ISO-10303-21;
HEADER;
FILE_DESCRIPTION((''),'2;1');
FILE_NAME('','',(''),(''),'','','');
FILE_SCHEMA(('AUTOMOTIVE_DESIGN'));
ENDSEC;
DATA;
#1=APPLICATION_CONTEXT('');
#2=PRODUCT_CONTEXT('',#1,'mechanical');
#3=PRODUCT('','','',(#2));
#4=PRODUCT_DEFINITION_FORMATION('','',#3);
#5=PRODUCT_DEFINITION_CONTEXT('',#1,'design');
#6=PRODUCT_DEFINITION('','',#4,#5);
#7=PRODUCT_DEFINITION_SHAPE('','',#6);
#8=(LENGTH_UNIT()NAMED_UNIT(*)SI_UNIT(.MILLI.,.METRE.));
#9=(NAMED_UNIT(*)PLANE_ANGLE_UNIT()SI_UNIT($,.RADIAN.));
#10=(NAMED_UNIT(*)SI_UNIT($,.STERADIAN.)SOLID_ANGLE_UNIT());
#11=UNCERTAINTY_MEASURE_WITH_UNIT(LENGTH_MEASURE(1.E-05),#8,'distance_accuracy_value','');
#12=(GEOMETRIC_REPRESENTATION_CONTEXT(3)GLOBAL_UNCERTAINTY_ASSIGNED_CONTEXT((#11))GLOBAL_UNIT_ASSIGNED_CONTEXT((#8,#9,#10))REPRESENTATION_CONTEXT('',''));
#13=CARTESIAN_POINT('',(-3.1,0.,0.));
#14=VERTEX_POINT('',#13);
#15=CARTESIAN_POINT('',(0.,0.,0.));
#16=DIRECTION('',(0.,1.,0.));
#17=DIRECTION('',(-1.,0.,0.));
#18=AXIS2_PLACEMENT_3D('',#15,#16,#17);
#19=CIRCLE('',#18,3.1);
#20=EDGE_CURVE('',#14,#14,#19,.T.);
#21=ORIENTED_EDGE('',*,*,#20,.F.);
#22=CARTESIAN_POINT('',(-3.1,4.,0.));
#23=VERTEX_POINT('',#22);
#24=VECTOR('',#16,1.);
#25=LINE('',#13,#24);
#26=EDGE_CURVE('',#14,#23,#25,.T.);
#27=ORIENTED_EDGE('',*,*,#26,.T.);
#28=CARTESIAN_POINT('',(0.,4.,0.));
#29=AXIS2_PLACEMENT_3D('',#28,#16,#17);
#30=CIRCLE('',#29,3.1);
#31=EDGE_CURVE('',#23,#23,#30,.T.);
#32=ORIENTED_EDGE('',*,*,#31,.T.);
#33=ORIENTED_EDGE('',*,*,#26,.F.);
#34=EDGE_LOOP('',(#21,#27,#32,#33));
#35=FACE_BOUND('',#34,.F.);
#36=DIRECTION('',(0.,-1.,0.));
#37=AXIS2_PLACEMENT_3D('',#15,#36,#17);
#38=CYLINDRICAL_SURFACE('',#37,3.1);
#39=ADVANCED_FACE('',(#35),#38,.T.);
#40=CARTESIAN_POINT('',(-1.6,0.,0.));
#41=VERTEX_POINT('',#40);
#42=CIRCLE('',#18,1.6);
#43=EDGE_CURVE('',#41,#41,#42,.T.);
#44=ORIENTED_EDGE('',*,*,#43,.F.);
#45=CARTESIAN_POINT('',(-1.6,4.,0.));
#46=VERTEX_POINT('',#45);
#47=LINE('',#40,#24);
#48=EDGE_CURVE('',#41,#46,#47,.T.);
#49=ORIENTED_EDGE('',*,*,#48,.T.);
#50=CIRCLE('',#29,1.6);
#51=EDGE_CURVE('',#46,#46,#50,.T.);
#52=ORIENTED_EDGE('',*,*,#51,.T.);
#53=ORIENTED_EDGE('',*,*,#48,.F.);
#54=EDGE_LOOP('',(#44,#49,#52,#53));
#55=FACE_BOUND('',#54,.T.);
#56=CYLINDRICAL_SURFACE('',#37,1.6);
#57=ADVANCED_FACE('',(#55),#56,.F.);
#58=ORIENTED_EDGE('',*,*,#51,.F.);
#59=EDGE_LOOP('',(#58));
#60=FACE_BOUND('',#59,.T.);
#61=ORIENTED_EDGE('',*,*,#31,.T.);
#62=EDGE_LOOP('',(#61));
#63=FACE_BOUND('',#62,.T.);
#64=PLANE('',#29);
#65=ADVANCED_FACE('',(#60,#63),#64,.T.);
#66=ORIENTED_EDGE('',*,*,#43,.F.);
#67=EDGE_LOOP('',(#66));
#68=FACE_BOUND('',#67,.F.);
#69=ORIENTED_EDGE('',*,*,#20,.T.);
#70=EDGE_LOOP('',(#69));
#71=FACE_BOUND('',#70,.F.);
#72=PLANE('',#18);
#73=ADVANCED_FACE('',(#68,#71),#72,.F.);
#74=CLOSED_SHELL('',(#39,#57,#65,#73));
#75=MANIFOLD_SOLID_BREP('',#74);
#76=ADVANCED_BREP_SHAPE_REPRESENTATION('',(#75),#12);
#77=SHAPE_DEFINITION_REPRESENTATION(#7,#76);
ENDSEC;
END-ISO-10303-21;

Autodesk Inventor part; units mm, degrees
ref_plane "YZ Plane" through (0, 0, 0) normal (1, 0, 0) x (0, 1, 0)
ref_plane "XZ Plane" through (0, 0, 0) normal (0, 1, 0) x (-1, 0, 0)
ref_plane "XY Plane" through (0, 0, 0) normal (0, 0, 1) x (1, 0, 0)
sketch "Skizze1" plane through (0, 0, 0) normal (0, 1, 0) x (-1, 0, 0)
  circle A0 centre (0, 0) radius 1.6
  circle A1 centre (0, 0) radius 3.1
  dimension "d0" = 3.2
  dimension "d1" = 1.5
extrude "Extrusion1" add sketch "Skizze1" along normal blind 4
properties part number "_3D-Druck"
